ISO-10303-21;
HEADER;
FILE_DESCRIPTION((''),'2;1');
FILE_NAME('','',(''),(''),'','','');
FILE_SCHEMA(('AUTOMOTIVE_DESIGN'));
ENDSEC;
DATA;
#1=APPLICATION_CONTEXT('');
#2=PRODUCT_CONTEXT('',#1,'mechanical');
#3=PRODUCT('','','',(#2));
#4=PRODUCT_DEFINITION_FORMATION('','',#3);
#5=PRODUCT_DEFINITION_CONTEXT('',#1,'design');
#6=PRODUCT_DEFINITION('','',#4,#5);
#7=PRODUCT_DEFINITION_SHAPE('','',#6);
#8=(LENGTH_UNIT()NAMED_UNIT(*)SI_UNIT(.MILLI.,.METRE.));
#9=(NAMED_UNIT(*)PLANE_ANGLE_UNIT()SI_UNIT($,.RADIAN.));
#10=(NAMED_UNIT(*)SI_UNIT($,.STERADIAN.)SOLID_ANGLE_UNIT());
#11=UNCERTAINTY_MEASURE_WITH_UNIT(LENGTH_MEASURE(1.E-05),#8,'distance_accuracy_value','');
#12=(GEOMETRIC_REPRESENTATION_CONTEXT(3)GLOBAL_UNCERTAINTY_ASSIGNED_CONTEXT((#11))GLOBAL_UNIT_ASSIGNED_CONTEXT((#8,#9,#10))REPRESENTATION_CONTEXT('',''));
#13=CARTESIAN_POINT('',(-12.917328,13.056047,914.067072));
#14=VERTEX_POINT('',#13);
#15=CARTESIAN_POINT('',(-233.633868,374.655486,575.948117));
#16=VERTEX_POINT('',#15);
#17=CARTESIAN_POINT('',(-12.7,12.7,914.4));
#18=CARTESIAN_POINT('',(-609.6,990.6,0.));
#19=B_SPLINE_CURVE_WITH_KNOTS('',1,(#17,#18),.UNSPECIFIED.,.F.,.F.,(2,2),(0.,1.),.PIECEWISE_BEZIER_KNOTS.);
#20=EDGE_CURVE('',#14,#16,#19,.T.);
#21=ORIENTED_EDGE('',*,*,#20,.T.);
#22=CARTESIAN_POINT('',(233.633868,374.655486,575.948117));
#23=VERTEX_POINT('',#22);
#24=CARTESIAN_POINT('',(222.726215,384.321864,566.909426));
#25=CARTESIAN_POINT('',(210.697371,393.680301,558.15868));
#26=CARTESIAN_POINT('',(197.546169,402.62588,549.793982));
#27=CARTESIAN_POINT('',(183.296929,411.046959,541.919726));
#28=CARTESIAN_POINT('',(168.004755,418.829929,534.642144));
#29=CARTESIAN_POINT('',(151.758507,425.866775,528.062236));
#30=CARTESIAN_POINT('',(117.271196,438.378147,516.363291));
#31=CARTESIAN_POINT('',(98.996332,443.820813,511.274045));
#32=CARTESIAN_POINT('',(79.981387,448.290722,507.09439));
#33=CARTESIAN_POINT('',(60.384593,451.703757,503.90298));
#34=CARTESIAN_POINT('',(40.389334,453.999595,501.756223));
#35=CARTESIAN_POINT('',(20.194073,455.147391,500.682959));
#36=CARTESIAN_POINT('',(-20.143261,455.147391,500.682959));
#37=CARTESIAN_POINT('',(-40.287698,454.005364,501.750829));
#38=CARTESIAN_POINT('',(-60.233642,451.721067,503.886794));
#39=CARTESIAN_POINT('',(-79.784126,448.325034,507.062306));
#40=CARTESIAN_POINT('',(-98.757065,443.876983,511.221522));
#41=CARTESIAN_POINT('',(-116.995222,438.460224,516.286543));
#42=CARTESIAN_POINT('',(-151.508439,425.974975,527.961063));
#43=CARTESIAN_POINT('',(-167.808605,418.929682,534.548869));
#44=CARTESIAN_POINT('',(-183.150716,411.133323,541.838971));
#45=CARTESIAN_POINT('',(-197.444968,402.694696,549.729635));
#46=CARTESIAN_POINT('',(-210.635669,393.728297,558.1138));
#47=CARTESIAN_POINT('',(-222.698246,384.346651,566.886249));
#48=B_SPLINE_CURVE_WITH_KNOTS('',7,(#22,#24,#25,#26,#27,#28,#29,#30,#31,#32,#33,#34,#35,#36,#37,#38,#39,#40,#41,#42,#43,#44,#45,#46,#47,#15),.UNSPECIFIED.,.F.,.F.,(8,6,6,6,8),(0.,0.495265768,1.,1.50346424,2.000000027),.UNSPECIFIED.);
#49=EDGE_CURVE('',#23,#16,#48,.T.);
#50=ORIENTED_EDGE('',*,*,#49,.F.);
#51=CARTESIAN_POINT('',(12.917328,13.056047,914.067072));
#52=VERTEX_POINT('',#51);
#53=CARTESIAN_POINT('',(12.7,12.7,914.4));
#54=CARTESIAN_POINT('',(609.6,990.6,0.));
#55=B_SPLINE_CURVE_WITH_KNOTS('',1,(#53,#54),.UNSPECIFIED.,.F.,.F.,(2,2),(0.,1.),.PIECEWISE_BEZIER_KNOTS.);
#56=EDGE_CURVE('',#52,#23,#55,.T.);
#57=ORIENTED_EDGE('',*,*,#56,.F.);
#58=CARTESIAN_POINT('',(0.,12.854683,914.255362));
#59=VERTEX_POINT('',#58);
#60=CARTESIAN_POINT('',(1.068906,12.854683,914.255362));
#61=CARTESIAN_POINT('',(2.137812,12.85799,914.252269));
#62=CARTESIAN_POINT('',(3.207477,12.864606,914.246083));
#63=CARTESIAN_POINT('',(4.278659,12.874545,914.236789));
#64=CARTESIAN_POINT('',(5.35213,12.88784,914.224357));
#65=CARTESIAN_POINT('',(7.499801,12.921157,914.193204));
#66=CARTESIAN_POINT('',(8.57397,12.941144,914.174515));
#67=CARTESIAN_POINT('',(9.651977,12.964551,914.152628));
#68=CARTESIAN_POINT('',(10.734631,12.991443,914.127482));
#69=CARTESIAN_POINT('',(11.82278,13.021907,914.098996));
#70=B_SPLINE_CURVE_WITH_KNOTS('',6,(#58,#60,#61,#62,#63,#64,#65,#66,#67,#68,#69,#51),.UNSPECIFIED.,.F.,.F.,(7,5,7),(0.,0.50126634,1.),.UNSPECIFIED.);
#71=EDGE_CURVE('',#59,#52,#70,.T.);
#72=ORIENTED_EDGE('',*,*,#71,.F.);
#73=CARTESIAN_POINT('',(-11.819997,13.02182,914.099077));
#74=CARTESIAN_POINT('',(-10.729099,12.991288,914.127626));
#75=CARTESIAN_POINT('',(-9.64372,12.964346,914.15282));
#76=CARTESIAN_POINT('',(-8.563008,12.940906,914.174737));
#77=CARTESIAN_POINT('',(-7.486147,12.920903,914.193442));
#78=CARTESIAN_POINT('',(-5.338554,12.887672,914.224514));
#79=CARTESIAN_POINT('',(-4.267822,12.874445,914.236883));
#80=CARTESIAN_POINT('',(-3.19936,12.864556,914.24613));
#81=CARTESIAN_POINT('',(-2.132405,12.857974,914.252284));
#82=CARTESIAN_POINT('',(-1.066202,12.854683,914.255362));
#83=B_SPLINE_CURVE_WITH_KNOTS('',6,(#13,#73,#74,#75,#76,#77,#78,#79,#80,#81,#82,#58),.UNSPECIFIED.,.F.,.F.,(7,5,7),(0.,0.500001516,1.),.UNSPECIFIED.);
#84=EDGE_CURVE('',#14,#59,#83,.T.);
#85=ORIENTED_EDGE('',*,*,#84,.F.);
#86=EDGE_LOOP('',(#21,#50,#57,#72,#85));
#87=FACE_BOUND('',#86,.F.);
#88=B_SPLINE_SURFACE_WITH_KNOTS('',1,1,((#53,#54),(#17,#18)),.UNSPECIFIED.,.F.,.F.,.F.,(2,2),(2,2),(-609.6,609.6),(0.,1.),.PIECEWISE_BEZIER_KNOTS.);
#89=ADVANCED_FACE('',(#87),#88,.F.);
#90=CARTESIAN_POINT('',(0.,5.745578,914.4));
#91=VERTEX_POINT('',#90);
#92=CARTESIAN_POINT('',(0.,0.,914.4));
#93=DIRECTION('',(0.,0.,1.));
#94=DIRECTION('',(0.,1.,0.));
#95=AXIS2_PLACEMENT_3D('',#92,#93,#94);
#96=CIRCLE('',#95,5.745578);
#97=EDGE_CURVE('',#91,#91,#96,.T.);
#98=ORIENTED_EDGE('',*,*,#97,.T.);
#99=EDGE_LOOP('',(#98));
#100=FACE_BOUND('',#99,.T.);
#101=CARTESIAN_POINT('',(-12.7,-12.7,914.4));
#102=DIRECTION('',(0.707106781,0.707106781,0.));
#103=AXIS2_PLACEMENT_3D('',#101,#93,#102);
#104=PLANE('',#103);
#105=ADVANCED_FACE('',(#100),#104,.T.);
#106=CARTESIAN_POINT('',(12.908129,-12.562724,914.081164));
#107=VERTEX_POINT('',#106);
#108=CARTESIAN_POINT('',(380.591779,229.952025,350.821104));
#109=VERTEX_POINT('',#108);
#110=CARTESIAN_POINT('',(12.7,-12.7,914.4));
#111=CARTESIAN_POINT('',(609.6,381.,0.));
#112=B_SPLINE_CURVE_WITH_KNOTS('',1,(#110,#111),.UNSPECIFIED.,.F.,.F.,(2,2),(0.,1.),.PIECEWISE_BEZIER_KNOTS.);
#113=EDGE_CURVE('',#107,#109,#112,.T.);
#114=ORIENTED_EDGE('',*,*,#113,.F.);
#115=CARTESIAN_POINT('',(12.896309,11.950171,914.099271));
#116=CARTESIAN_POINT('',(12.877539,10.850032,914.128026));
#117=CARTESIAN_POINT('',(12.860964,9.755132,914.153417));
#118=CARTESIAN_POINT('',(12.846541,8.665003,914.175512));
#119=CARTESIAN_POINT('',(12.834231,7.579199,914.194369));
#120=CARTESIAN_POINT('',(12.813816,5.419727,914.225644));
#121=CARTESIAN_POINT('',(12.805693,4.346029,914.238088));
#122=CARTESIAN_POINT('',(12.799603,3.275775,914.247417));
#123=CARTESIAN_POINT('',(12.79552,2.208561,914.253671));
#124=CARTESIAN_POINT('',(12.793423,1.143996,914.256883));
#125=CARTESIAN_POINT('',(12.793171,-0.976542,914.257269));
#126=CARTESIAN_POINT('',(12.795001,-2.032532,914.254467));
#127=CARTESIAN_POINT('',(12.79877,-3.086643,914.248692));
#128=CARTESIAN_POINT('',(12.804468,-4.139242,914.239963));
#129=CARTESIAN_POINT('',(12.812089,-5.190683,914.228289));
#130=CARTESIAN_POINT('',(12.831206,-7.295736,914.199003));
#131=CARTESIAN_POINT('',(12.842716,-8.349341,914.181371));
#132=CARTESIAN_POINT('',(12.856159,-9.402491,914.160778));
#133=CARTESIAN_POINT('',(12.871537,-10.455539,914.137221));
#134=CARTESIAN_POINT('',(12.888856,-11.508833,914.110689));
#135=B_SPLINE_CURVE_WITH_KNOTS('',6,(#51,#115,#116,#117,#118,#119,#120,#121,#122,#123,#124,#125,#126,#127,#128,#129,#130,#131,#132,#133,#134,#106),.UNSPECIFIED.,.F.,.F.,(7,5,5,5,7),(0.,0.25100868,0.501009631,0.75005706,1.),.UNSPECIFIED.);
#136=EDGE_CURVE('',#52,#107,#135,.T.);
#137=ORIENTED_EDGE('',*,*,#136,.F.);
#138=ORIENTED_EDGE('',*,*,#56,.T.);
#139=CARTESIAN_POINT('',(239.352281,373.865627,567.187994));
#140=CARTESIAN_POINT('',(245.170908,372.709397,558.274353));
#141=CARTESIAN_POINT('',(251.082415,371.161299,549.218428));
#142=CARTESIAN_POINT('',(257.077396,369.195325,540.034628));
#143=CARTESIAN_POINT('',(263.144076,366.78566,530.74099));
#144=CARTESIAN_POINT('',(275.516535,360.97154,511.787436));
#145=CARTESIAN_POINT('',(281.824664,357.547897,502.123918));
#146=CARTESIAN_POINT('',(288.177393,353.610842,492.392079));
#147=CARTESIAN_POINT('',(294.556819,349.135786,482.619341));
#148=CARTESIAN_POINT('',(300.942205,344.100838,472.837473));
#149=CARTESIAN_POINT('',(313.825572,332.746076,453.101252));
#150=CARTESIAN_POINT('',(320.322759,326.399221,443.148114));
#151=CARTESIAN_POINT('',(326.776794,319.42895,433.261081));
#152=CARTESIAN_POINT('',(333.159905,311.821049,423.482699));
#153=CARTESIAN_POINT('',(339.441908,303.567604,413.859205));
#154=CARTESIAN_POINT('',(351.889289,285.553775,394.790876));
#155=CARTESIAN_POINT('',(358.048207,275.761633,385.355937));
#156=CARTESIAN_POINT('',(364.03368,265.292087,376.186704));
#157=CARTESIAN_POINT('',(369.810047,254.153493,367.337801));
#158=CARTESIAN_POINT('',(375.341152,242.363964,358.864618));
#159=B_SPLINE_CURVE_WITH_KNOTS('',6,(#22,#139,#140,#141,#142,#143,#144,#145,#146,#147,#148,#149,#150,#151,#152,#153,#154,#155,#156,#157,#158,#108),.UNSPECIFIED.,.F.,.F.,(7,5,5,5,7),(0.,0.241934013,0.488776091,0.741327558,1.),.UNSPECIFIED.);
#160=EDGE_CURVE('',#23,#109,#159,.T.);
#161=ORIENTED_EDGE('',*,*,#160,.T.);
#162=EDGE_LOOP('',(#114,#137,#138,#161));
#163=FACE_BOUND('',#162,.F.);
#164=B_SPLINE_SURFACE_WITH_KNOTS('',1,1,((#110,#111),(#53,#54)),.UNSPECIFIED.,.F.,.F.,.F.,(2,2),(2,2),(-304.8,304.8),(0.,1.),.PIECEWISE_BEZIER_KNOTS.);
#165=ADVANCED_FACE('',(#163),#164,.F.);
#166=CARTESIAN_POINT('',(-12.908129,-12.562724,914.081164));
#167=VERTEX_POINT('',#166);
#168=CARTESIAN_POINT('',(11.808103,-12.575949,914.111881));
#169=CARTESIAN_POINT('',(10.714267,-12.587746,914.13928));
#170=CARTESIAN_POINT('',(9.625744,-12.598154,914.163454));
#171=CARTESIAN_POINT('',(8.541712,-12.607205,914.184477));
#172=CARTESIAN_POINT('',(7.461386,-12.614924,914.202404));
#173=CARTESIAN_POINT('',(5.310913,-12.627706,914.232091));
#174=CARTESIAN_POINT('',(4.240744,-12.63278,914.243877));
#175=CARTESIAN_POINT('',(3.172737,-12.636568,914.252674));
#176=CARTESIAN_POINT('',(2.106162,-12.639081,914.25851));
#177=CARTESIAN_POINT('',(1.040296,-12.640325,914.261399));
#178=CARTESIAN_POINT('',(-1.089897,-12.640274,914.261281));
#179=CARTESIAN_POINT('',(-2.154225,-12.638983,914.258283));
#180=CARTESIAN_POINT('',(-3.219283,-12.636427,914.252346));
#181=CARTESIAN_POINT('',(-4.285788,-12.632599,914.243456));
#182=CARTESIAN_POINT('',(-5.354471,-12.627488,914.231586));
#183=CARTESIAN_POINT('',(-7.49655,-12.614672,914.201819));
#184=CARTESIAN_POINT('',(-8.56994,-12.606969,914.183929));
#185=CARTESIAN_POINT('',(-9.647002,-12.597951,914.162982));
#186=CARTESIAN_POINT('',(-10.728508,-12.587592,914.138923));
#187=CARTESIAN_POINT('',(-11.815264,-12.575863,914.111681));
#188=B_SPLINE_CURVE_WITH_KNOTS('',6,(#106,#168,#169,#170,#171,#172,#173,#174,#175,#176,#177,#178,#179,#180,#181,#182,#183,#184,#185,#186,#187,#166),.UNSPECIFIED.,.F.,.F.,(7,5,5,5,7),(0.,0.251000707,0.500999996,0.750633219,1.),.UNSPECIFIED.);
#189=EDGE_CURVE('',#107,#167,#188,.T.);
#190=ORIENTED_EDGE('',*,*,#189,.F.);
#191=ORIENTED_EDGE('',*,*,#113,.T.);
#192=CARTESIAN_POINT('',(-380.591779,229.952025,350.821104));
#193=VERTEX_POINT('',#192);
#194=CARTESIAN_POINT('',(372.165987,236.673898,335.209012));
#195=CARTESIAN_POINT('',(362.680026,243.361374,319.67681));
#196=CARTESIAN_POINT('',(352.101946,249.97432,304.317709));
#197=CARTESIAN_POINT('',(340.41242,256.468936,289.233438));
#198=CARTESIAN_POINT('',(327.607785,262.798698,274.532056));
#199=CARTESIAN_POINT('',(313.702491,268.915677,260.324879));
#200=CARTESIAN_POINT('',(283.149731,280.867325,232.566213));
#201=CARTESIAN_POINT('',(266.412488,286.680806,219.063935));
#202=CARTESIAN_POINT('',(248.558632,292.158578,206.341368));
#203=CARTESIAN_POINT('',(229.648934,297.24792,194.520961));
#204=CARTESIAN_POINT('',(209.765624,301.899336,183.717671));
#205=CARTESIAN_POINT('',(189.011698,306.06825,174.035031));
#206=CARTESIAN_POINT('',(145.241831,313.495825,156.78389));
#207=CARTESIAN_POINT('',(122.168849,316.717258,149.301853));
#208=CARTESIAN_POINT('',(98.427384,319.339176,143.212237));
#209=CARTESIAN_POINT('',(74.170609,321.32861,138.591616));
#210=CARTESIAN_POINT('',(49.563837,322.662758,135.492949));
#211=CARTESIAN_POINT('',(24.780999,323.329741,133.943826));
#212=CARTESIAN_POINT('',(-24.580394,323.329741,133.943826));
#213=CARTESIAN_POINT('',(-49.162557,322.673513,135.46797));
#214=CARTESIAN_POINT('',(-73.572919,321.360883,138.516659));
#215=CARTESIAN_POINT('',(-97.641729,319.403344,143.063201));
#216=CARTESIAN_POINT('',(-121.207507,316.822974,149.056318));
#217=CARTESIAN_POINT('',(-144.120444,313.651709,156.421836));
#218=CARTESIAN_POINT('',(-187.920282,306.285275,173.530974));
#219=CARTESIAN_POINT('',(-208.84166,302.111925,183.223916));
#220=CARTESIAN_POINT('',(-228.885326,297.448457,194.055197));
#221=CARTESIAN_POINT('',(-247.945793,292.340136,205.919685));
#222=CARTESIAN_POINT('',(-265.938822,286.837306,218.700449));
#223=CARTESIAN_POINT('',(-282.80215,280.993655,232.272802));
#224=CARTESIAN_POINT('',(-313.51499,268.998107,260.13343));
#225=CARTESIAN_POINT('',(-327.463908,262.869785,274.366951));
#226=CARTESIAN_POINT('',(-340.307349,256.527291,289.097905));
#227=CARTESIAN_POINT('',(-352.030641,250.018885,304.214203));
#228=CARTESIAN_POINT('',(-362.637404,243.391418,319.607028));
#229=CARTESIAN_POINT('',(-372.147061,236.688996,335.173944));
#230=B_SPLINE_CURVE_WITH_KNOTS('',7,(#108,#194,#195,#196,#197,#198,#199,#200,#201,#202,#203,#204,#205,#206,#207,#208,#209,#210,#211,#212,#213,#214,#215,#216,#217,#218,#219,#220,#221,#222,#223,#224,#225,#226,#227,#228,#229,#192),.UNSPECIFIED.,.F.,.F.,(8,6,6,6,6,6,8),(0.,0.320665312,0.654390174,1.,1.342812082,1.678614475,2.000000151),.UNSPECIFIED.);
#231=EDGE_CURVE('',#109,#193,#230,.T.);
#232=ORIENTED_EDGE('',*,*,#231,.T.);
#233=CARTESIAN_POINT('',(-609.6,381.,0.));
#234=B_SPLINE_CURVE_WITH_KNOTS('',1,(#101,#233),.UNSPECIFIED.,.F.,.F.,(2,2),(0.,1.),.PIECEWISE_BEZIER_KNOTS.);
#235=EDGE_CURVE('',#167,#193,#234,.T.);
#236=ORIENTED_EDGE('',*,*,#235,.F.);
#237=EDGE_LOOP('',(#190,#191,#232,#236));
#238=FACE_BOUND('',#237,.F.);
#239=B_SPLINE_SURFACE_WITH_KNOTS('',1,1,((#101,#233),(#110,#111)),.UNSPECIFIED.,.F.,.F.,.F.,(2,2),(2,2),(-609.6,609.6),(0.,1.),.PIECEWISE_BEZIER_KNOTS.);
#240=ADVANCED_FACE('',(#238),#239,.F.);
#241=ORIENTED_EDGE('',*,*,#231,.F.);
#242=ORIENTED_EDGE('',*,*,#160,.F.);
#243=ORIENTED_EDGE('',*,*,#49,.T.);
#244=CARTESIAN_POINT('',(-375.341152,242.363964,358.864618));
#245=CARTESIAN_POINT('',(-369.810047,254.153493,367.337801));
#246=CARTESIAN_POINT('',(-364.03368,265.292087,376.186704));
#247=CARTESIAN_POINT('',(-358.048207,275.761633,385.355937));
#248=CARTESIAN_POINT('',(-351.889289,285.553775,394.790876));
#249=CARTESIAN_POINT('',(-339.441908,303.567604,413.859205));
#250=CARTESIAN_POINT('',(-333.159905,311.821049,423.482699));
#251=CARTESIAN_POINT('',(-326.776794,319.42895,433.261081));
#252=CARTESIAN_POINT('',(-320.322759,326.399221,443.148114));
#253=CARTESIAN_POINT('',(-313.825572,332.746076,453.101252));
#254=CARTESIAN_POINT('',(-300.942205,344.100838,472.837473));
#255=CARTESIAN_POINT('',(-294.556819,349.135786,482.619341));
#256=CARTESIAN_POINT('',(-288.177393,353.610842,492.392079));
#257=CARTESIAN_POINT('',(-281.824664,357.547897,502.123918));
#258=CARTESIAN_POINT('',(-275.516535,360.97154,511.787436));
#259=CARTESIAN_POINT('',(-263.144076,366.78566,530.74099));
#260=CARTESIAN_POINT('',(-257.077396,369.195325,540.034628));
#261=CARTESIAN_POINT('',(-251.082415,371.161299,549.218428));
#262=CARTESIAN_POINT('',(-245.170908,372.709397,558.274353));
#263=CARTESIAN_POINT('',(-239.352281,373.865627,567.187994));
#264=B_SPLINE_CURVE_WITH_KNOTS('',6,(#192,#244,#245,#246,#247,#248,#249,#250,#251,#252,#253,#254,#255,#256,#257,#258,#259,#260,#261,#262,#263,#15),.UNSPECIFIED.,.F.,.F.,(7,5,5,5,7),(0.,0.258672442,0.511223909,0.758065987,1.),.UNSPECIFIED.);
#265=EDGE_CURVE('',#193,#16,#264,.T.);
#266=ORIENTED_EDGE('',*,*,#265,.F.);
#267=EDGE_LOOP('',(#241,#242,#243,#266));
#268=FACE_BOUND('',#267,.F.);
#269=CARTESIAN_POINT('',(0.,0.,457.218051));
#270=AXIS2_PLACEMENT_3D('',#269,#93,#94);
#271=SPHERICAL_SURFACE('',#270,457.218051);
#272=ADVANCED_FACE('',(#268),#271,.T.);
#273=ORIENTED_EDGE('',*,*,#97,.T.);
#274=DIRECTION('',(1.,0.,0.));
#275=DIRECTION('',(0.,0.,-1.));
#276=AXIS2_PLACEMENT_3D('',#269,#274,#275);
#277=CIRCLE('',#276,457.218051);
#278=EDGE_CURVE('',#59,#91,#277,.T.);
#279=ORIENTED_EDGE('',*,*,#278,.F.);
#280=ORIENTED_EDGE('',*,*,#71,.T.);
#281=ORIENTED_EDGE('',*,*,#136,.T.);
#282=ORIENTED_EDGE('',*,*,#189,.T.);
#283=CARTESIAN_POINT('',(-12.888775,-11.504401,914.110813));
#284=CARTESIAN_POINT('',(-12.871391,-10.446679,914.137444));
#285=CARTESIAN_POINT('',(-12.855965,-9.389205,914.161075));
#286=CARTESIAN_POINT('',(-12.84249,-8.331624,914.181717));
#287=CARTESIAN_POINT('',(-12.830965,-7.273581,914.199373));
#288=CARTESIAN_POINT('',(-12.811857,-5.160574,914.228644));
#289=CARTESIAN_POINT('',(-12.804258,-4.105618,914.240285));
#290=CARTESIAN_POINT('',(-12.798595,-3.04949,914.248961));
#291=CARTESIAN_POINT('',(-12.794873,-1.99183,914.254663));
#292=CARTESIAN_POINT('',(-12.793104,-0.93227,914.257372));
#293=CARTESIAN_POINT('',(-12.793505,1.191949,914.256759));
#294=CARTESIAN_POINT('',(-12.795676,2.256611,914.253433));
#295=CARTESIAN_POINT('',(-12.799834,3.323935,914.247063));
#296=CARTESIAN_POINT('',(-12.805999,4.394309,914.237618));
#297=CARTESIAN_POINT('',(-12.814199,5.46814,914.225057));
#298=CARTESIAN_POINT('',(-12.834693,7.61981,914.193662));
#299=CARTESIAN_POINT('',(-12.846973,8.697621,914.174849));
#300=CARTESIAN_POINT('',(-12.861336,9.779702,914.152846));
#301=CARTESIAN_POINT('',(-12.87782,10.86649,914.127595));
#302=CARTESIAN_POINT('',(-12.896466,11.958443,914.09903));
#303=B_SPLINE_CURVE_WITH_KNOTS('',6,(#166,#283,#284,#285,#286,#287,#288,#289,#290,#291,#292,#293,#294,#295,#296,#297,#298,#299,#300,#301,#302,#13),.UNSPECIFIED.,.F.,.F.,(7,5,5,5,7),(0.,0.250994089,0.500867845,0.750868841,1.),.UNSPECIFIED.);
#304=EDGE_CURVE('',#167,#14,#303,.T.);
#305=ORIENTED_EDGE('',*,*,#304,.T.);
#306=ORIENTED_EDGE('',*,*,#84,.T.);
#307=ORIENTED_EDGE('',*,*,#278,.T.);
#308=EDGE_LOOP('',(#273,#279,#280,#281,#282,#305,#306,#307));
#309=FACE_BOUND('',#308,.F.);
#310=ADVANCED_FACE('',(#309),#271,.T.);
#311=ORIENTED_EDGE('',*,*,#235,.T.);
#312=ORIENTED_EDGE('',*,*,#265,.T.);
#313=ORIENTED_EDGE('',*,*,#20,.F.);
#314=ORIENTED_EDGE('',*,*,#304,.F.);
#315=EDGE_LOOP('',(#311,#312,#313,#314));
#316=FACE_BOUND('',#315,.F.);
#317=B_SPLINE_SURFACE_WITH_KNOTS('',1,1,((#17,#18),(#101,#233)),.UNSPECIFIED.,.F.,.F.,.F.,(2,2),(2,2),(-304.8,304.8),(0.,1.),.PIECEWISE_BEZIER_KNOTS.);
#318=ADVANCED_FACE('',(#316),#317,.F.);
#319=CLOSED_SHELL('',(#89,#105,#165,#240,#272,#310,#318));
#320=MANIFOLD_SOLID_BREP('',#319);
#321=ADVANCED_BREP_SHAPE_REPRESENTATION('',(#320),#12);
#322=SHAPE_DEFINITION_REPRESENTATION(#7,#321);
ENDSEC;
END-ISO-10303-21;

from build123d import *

# Parameters (mm, degrees)
F2_W = 25.4
F2_H = 25.4
F0_W = 1219.2
F0_H = 609.6


with BuildPart() as f3:
    # F2 (on offset) → F3 section 0
    with BuildSketch(Plane.XY.offset(914.4)):
        Rectangle(F2_W, F2_H)
    # F0 (on Top) → F3 section 1
    with BuildSketch(Plane.XY):
        with Locations((0, 685.8)):
            Rectangle(F0_W, F0_H)
    loft()

    # F4 (on Right) → F5 (revolve, intersect)
    with BuildSketch(Plane.YZ):
        with BuildLine():
            ThreePointArc((0, 0), (457.218051, 457.218051), (0, 914.436102))
            Line((0, 914.436102), (0, 0))
        make_face()
    revolve(axis=Axis((0, 0, 457.218051), (0, 0, -1)), mode=Mode.INTERSECT)


solid = f3.part
